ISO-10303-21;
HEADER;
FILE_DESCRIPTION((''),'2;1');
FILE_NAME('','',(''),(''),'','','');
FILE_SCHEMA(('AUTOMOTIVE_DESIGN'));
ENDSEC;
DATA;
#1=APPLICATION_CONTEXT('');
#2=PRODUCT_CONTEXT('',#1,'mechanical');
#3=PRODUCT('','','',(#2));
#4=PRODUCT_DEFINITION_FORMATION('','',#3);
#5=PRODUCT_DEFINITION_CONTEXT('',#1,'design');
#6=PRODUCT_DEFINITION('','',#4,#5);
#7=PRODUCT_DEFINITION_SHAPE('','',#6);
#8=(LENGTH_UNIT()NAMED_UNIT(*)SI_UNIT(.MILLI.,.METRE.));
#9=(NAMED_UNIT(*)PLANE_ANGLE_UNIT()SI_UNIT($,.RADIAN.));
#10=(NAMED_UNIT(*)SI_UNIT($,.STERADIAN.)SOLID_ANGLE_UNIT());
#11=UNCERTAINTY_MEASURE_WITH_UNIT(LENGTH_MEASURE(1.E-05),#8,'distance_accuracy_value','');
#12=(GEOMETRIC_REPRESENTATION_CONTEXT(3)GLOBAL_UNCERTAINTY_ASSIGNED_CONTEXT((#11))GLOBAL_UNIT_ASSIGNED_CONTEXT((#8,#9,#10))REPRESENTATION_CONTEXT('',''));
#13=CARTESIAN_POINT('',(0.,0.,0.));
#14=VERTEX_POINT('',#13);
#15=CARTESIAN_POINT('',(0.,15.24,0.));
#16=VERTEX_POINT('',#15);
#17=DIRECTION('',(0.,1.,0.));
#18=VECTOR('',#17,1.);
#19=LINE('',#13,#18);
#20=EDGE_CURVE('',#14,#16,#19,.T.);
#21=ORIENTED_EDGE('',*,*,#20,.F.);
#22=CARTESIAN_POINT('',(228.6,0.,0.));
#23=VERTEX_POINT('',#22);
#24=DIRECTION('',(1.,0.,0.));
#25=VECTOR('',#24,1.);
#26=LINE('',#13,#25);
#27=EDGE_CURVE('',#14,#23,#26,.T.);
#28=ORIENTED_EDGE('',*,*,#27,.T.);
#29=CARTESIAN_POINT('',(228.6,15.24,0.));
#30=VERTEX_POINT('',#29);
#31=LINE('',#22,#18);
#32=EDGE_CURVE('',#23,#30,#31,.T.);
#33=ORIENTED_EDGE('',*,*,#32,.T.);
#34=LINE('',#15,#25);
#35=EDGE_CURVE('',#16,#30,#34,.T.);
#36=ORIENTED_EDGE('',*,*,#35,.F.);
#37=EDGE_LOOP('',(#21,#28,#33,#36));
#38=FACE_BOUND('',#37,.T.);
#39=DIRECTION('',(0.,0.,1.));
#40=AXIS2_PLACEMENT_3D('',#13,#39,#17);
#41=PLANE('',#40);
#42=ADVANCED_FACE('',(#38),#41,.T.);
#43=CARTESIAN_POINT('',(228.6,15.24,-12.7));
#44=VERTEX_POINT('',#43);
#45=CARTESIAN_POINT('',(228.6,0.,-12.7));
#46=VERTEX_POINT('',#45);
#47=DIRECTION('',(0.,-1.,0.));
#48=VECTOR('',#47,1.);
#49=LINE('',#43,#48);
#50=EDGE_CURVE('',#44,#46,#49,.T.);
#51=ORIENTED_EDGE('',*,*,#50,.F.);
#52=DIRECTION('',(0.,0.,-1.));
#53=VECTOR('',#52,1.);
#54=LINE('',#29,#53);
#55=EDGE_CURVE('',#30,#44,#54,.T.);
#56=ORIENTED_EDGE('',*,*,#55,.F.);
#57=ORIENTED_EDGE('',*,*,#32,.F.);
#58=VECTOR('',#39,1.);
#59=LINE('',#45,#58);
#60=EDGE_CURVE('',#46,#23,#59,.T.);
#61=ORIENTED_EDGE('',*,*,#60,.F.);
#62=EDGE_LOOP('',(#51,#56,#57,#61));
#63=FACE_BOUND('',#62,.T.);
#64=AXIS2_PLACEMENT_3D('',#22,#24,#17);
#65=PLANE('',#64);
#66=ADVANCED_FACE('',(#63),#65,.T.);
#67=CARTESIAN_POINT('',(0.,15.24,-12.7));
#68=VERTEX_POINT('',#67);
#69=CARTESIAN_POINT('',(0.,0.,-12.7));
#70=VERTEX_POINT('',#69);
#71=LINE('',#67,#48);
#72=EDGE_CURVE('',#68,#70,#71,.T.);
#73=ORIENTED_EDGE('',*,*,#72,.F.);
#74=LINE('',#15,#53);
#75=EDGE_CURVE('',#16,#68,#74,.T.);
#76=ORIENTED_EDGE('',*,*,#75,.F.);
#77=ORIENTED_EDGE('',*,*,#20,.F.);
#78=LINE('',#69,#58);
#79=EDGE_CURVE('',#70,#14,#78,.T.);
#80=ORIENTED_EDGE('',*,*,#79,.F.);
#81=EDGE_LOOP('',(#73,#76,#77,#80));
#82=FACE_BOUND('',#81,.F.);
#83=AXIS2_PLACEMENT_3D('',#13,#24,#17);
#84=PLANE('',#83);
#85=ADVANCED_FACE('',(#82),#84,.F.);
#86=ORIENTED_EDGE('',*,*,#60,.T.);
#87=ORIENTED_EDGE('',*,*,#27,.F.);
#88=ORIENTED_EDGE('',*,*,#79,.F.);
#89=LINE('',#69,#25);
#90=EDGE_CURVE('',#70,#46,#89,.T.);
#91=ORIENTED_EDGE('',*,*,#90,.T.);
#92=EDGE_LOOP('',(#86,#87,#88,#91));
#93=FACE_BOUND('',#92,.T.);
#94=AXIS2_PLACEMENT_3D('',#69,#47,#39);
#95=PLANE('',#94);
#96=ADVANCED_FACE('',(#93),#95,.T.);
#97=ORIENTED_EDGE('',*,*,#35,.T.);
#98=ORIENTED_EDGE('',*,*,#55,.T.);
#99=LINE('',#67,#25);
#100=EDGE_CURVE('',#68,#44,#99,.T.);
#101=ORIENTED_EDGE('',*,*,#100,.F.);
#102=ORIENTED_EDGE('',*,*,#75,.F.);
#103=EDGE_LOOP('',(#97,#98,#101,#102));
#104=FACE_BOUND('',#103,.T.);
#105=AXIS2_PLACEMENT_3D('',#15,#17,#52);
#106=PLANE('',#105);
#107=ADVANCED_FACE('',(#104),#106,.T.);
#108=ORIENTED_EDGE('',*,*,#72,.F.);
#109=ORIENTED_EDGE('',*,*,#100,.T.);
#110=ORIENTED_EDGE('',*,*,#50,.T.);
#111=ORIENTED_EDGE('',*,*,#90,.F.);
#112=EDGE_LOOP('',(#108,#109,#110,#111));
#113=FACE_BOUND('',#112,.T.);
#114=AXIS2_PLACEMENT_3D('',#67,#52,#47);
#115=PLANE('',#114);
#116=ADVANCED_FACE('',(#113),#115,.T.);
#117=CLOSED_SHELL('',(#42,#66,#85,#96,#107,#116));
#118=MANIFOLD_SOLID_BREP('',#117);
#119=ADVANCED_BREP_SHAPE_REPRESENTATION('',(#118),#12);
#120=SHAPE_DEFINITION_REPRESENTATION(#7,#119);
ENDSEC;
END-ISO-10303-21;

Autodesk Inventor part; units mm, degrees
ref_plane "YZ Plane" through (0, 0, 0) normal (1, 0, 0) x (0, 1, 0)
ref_plane "XZ Plane" through (0, 0, 0) normal (0, 1, 0) x (-1, 0, 0)
ref_plane "XY Plane" through (0, 0, 0) normal (0, 0, 1) x (1, 0, 0)
sketch "Sketch1" plane through (0, 0, 0) normal (1, 0, 0) x (0, 1, 0)
  line L0 (0, 0) -> (15.24, 0)
  line L1 (15.24, 0) -> (15.24, -12.7)
  line L2 (15.24, -12.7) -> (0, -12.7)
  line L3 (0, -12.7) -> (0, 0)
  dimension "d0" = 15.24
  dimension "d1" = 12.7
extrude "Extrusion1" add sketch "Sketch1" along normal blind 228.6
properties part number "bucket hlder" material "Aluminum 6061"
